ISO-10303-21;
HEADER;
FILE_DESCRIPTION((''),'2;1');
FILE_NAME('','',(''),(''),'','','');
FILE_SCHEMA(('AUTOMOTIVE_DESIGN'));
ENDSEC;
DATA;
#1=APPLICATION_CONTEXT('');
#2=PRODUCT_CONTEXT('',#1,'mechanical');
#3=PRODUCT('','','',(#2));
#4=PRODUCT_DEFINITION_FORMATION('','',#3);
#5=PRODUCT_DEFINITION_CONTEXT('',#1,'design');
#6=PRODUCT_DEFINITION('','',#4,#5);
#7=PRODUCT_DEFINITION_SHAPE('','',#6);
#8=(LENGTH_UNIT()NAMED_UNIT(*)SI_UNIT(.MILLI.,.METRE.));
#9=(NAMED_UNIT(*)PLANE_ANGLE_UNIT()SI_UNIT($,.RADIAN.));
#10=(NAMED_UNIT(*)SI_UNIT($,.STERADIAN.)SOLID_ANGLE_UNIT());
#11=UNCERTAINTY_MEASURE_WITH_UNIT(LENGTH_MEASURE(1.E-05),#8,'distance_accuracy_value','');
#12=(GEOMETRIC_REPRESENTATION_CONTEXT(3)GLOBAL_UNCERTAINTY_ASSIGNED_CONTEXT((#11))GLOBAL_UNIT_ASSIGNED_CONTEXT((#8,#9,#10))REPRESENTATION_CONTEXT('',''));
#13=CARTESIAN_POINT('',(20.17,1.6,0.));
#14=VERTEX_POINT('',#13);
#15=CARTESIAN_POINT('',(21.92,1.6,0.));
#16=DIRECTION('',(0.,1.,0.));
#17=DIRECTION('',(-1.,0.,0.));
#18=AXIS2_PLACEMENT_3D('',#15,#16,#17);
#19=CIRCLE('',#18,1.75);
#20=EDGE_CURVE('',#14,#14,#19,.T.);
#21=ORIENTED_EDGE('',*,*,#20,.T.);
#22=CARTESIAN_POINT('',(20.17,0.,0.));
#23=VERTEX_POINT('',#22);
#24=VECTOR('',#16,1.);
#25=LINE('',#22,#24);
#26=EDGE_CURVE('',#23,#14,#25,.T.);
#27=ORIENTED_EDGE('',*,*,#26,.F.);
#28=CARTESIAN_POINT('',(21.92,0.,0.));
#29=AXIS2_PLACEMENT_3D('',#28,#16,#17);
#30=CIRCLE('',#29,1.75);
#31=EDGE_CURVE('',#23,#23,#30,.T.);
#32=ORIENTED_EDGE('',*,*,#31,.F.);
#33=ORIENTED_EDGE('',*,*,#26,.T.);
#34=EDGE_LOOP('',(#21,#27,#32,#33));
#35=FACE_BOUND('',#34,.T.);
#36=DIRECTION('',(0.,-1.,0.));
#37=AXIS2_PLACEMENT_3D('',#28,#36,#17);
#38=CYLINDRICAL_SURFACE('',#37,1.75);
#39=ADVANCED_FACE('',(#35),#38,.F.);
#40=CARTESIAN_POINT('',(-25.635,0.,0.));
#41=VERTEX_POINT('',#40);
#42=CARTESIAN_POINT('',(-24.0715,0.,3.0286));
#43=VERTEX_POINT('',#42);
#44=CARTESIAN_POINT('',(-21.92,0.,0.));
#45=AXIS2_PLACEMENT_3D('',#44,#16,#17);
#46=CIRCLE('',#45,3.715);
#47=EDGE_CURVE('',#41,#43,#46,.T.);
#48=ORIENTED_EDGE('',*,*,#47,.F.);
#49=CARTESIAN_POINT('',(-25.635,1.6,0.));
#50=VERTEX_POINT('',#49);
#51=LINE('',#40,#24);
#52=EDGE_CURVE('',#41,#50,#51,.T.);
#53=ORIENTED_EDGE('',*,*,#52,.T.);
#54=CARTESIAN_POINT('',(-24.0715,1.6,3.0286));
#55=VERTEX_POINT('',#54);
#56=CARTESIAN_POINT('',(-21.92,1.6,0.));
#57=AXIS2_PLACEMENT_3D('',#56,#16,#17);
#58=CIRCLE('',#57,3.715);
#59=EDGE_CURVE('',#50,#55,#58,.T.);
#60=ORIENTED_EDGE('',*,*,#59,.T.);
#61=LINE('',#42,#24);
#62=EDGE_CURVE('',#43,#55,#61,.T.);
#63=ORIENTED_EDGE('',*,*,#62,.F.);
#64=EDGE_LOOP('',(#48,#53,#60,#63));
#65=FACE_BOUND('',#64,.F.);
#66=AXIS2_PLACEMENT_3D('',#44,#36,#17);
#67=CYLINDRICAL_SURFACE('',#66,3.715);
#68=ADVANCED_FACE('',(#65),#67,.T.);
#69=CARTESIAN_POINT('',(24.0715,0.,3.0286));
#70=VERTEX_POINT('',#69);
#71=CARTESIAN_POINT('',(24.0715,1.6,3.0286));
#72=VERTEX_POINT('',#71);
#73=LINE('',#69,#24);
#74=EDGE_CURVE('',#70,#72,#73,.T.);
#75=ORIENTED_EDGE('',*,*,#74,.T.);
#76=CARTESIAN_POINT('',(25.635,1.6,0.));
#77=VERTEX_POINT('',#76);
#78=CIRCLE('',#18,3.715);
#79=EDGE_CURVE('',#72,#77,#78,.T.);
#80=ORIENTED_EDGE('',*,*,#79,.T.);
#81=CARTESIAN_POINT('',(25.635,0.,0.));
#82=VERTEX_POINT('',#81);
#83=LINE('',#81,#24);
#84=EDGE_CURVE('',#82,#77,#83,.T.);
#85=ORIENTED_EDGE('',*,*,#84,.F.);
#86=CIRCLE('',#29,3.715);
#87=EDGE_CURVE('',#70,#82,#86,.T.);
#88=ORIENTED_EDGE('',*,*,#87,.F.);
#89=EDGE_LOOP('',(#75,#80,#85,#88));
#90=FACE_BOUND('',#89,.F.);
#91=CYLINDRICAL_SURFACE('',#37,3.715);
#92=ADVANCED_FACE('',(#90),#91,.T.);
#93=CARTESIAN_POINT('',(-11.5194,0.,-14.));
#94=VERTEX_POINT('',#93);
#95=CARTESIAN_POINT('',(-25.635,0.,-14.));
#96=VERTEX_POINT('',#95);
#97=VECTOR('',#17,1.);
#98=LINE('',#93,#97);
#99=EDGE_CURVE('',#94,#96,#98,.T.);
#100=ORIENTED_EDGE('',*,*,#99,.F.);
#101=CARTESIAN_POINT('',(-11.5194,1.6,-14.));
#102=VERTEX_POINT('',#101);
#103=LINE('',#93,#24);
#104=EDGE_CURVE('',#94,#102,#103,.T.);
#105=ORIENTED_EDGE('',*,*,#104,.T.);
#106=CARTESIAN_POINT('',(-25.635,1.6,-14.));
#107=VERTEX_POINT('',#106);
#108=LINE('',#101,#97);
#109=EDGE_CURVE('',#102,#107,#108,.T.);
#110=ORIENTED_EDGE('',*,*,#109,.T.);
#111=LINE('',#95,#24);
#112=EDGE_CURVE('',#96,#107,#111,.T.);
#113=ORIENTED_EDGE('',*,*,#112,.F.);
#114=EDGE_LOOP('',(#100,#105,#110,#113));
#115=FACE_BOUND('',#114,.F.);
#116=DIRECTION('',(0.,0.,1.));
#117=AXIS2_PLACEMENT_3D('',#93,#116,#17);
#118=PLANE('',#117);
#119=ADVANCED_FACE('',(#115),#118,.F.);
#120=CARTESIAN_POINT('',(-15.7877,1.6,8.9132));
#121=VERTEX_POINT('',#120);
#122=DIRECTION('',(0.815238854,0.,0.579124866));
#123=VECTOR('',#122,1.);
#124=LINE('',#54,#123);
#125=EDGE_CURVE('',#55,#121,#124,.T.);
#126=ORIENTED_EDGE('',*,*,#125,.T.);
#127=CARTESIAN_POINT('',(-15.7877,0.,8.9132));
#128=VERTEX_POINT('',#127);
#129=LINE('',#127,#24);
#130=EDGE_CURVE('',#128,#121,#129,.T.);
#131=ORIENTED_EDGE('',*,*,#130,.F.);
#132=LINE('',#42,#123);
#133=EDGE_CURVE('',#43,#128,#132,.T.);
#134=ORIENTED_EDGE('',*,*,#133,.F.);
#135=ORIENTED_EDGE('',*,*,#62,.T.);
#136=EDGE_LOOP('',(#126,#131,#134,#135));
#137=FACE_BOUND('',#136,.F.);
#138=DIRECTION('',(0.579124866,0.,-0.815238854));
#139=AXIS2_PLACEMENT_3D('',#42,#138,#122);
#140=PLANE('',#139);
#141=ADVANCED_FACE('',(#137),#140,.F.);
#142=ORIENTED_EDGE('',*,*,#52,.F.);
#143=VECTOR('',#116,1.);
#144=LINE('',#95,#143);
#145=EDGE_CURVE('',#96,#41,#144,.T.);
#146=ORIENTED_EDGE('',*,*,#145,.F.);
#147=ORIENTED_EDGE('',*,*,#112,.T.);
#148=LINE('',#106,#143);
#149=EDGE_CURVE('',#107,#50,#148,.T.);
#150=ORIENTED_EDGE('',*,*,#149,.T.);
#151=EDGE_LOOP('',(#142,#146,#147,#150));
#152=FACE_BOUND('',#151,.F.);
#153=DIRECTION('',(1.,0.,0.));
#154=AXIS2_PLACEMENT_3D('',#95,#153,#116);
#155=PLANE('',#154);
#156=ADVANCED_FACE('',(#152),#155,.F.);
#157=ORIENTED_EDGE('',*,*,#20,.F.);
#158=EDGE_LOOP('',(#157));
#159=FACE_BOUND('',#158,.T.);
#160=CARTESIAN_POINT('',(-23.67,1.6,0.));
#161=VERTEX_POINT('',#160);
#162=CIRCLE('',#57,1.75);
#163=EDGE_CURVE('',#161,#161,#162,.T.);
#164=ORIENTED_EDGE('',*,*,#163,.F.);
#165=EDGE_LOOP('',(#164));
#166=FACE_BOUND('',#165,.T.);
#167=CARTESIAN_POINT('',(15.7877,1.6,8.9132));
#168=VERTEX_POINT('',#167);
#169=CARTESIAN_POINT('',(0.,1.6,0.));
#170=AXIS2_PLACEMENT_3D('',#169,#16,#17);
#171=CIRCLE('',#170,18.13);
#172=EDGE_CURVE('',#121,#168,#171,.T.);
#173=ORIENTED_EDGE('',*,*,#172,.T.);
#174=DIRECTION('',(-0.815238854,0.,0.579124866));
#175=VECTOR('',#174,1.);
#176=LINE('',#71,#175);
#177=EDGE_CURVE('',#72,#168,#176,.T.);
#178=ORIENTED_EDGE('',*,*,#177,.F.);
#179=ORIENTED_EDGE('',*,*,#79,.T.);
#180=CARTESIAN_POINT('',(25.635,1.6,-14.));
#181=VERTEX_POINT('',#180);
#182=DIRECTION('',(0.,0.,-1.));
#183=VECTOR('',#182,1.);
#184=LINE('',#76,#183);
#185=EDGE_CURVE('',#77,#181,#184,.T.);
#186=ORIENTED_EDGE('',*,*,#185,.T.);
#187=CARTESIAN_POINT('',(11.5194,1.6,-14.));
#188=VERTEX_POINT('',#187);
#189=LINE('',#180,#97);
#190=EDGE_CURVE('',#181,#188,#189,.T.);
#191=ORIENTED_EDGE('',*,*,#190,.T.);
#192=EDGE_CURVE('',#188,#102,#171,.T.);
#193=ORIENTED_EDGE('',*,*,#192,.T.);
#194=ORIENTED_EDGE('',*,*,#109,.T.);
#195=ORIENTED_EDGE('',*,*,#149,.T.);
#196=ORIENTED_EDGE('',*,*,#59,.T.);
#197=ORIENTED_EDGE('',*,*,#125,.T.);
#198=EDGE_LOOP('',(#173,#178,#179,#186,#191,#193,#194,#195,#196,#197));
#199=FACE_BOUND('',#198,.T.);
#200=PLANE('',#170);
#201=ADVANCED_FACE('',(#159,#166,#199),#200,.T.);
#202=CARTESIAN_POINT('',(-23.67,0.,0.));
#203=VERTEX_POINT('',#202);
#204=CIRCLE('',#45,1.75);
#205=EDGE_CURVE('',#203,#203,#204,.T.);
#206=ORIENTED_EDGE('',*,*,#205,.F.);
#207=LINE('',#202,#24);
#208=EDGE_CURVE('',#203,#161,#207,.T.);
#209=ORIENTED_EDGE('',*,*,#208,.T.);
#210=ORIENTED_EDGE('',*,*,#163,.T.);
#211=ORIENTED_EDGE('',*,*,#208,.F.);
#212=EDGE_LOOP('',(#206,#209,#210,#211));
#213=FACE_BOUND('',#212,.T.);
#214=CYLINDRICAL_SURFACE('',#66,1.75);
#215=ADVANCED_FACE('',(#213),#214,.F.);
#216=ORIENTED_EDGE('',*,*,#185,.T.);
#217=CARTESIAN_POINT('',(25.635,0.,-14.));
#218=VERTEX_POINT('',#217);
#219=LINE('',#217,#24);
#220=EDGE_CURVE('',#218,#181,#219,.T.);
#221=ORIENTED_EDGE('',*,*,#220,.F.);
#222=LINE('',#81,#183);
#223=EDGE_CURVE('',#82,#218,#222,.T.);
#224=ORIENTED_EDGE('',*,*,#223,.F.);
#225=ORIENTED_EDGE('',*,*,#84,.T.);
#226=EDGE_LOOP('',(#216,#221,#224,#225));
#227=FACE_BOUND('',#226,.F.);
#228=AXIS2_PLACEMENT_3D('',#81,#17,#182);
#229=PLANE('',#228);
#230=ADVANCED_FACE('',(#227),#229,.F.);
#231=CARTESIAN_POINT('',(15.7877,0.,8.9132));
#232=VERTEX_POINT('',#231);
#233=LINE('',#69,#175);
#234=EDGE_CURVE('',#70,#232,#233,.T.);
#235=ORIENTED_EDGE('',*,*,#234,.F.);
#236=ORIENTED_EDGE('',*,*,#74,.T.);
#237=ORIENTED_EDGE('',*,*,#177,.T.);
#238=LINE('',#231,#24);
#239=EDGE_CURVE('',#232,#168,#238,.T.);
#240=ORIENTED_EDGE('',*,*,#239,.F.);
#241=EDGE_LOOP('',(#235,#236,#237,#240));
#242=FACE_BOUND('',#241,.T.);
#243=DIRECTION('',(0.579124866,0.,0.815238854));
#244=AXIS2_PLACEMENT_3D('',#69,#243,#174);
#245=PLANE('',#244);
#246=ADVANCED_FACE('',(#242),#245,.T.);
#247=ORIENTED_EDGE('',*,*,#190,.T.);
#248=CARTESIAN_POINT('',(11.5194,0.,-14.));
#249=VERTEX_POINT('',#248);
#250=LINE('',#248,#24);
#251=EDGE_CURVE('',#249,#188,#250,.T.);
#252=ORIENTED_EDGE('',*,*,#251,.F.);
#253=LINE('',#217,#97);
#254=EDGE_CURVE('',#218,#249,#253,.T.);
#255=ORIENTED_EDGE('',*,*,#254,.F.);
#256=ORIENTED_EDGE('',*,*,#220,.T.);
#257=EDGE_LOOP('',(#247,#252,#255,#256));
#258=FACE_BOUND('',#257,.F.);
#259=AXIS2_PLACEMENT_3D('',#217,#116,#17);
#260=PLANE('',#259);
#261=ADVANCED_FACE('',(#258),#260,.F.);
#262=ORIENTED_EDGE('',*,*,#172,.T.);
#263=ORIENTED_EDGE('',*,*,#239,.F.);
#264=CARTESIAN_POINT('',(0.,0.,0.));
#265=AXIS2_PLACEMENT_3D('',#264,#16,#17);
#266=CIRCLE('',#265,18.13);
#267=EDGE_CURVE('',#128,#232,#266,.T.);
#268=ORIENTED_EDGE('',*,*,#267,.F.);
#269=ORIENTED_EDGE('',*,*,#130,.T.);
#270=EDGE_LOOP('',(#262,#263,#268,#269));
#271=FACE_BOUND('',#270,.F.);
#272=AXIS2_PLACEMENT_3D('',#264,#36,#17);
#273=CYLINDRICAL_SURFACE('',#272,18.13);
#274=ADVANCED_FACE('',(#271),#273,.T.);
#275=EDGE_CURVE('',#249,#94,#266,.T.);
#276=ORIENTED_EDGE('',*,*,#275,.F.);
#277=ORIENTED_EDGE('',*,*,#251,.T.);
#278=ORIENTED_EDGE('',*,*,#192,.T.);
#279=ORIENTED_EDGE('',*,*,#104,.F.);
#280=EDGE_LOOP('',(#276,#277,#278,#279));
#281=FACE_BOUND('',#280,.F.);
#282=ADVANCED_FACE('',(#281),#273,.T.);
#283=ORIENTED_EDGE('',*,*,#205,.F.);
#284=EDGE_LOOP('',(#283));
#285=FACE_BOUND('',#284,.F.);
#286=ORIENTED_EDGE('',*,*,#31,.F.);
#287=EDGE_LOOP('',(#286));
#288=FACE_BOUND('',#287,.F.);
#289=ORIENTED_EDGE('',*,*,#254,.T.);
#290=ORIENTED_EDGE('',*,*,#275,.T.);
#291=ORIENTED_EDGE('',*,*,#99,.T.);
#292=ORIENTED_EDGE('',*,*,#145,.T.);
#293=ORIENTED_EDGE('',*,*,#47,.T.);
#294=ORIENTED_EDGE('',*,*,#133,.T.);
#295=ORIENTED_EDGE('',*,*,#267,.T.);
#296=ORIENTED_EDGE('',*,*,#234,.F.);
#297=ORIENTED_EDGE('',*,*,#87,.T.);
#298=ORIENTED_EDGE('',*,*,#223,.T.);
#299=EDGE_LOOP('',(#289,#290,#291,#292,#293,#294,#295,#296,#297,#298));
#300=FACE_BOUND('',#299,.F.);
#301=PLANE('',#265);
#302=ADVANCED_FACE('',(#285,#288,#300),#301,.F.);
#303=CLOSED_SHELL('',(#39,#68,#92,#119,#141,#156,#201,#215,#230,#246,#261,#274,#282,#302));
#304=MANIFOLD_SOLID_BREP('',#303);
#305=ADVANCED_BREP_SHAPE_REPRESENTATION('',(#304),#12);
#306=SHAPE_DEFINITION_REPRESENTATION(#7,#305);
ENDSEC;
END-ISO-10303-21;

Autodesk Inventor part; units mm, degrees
ref_plane "YZ Plane" through (0, 0, 0) normal (1, 0, 0) x (0, 1, 0)
ref_plane "XZ Plane" through (0, 0, 0) normal (0, 1, 0) x (-1, 0, 0)
ref_plane "XY Plane" through (0, 0, 0) normal (0, 0, 1) x (1, 0, 0)
sketch "Sketch1" plane through (0, 0, 0) normal (0, 1, 0) x (-1, 0, 0)
  circle A0 centre (-21.92, 0) radius 1.75
  circle A1 centre (21.92, 0) radius 1.75
  circle A2 centre (0, 0) radius 18.13
  circle A3 centre (-21.92, 0) radius 3.715
  circle A4 centre (21.92, 0) radius 3.715
  line L0 (-25.635, 0) -> (-25.635, -14)
  line L1 (-25.635, -14) -> (-11.5194, -14)
  line L2 (11.5194, -14) -> (25.635, -14)
  line L3 (25.635, -14) -> (25.635, 0)
  line L4 (24.0715, 3.0286) -> (15.7877, 8.9132)
  line L5 (-24.0715, 3.0286) -> (-15.7877, 8.9132)
  dimension "d0" = 3.5
  dimension "d1" = 43.84
  dimension "d2" = 21.92
  dimension "d3" = 36.26
  dimension "d4" = 51.27
  dimension "d5" = 14
  dimension "d7" = 35.389
extrude "Extrusion1" add sketch "Sketch1" along normal blind 1.6
equation "\"d2\" = 0.5 * d1"
properties part number "Mellow Fly SHT36" material "Copper, Alloy"
